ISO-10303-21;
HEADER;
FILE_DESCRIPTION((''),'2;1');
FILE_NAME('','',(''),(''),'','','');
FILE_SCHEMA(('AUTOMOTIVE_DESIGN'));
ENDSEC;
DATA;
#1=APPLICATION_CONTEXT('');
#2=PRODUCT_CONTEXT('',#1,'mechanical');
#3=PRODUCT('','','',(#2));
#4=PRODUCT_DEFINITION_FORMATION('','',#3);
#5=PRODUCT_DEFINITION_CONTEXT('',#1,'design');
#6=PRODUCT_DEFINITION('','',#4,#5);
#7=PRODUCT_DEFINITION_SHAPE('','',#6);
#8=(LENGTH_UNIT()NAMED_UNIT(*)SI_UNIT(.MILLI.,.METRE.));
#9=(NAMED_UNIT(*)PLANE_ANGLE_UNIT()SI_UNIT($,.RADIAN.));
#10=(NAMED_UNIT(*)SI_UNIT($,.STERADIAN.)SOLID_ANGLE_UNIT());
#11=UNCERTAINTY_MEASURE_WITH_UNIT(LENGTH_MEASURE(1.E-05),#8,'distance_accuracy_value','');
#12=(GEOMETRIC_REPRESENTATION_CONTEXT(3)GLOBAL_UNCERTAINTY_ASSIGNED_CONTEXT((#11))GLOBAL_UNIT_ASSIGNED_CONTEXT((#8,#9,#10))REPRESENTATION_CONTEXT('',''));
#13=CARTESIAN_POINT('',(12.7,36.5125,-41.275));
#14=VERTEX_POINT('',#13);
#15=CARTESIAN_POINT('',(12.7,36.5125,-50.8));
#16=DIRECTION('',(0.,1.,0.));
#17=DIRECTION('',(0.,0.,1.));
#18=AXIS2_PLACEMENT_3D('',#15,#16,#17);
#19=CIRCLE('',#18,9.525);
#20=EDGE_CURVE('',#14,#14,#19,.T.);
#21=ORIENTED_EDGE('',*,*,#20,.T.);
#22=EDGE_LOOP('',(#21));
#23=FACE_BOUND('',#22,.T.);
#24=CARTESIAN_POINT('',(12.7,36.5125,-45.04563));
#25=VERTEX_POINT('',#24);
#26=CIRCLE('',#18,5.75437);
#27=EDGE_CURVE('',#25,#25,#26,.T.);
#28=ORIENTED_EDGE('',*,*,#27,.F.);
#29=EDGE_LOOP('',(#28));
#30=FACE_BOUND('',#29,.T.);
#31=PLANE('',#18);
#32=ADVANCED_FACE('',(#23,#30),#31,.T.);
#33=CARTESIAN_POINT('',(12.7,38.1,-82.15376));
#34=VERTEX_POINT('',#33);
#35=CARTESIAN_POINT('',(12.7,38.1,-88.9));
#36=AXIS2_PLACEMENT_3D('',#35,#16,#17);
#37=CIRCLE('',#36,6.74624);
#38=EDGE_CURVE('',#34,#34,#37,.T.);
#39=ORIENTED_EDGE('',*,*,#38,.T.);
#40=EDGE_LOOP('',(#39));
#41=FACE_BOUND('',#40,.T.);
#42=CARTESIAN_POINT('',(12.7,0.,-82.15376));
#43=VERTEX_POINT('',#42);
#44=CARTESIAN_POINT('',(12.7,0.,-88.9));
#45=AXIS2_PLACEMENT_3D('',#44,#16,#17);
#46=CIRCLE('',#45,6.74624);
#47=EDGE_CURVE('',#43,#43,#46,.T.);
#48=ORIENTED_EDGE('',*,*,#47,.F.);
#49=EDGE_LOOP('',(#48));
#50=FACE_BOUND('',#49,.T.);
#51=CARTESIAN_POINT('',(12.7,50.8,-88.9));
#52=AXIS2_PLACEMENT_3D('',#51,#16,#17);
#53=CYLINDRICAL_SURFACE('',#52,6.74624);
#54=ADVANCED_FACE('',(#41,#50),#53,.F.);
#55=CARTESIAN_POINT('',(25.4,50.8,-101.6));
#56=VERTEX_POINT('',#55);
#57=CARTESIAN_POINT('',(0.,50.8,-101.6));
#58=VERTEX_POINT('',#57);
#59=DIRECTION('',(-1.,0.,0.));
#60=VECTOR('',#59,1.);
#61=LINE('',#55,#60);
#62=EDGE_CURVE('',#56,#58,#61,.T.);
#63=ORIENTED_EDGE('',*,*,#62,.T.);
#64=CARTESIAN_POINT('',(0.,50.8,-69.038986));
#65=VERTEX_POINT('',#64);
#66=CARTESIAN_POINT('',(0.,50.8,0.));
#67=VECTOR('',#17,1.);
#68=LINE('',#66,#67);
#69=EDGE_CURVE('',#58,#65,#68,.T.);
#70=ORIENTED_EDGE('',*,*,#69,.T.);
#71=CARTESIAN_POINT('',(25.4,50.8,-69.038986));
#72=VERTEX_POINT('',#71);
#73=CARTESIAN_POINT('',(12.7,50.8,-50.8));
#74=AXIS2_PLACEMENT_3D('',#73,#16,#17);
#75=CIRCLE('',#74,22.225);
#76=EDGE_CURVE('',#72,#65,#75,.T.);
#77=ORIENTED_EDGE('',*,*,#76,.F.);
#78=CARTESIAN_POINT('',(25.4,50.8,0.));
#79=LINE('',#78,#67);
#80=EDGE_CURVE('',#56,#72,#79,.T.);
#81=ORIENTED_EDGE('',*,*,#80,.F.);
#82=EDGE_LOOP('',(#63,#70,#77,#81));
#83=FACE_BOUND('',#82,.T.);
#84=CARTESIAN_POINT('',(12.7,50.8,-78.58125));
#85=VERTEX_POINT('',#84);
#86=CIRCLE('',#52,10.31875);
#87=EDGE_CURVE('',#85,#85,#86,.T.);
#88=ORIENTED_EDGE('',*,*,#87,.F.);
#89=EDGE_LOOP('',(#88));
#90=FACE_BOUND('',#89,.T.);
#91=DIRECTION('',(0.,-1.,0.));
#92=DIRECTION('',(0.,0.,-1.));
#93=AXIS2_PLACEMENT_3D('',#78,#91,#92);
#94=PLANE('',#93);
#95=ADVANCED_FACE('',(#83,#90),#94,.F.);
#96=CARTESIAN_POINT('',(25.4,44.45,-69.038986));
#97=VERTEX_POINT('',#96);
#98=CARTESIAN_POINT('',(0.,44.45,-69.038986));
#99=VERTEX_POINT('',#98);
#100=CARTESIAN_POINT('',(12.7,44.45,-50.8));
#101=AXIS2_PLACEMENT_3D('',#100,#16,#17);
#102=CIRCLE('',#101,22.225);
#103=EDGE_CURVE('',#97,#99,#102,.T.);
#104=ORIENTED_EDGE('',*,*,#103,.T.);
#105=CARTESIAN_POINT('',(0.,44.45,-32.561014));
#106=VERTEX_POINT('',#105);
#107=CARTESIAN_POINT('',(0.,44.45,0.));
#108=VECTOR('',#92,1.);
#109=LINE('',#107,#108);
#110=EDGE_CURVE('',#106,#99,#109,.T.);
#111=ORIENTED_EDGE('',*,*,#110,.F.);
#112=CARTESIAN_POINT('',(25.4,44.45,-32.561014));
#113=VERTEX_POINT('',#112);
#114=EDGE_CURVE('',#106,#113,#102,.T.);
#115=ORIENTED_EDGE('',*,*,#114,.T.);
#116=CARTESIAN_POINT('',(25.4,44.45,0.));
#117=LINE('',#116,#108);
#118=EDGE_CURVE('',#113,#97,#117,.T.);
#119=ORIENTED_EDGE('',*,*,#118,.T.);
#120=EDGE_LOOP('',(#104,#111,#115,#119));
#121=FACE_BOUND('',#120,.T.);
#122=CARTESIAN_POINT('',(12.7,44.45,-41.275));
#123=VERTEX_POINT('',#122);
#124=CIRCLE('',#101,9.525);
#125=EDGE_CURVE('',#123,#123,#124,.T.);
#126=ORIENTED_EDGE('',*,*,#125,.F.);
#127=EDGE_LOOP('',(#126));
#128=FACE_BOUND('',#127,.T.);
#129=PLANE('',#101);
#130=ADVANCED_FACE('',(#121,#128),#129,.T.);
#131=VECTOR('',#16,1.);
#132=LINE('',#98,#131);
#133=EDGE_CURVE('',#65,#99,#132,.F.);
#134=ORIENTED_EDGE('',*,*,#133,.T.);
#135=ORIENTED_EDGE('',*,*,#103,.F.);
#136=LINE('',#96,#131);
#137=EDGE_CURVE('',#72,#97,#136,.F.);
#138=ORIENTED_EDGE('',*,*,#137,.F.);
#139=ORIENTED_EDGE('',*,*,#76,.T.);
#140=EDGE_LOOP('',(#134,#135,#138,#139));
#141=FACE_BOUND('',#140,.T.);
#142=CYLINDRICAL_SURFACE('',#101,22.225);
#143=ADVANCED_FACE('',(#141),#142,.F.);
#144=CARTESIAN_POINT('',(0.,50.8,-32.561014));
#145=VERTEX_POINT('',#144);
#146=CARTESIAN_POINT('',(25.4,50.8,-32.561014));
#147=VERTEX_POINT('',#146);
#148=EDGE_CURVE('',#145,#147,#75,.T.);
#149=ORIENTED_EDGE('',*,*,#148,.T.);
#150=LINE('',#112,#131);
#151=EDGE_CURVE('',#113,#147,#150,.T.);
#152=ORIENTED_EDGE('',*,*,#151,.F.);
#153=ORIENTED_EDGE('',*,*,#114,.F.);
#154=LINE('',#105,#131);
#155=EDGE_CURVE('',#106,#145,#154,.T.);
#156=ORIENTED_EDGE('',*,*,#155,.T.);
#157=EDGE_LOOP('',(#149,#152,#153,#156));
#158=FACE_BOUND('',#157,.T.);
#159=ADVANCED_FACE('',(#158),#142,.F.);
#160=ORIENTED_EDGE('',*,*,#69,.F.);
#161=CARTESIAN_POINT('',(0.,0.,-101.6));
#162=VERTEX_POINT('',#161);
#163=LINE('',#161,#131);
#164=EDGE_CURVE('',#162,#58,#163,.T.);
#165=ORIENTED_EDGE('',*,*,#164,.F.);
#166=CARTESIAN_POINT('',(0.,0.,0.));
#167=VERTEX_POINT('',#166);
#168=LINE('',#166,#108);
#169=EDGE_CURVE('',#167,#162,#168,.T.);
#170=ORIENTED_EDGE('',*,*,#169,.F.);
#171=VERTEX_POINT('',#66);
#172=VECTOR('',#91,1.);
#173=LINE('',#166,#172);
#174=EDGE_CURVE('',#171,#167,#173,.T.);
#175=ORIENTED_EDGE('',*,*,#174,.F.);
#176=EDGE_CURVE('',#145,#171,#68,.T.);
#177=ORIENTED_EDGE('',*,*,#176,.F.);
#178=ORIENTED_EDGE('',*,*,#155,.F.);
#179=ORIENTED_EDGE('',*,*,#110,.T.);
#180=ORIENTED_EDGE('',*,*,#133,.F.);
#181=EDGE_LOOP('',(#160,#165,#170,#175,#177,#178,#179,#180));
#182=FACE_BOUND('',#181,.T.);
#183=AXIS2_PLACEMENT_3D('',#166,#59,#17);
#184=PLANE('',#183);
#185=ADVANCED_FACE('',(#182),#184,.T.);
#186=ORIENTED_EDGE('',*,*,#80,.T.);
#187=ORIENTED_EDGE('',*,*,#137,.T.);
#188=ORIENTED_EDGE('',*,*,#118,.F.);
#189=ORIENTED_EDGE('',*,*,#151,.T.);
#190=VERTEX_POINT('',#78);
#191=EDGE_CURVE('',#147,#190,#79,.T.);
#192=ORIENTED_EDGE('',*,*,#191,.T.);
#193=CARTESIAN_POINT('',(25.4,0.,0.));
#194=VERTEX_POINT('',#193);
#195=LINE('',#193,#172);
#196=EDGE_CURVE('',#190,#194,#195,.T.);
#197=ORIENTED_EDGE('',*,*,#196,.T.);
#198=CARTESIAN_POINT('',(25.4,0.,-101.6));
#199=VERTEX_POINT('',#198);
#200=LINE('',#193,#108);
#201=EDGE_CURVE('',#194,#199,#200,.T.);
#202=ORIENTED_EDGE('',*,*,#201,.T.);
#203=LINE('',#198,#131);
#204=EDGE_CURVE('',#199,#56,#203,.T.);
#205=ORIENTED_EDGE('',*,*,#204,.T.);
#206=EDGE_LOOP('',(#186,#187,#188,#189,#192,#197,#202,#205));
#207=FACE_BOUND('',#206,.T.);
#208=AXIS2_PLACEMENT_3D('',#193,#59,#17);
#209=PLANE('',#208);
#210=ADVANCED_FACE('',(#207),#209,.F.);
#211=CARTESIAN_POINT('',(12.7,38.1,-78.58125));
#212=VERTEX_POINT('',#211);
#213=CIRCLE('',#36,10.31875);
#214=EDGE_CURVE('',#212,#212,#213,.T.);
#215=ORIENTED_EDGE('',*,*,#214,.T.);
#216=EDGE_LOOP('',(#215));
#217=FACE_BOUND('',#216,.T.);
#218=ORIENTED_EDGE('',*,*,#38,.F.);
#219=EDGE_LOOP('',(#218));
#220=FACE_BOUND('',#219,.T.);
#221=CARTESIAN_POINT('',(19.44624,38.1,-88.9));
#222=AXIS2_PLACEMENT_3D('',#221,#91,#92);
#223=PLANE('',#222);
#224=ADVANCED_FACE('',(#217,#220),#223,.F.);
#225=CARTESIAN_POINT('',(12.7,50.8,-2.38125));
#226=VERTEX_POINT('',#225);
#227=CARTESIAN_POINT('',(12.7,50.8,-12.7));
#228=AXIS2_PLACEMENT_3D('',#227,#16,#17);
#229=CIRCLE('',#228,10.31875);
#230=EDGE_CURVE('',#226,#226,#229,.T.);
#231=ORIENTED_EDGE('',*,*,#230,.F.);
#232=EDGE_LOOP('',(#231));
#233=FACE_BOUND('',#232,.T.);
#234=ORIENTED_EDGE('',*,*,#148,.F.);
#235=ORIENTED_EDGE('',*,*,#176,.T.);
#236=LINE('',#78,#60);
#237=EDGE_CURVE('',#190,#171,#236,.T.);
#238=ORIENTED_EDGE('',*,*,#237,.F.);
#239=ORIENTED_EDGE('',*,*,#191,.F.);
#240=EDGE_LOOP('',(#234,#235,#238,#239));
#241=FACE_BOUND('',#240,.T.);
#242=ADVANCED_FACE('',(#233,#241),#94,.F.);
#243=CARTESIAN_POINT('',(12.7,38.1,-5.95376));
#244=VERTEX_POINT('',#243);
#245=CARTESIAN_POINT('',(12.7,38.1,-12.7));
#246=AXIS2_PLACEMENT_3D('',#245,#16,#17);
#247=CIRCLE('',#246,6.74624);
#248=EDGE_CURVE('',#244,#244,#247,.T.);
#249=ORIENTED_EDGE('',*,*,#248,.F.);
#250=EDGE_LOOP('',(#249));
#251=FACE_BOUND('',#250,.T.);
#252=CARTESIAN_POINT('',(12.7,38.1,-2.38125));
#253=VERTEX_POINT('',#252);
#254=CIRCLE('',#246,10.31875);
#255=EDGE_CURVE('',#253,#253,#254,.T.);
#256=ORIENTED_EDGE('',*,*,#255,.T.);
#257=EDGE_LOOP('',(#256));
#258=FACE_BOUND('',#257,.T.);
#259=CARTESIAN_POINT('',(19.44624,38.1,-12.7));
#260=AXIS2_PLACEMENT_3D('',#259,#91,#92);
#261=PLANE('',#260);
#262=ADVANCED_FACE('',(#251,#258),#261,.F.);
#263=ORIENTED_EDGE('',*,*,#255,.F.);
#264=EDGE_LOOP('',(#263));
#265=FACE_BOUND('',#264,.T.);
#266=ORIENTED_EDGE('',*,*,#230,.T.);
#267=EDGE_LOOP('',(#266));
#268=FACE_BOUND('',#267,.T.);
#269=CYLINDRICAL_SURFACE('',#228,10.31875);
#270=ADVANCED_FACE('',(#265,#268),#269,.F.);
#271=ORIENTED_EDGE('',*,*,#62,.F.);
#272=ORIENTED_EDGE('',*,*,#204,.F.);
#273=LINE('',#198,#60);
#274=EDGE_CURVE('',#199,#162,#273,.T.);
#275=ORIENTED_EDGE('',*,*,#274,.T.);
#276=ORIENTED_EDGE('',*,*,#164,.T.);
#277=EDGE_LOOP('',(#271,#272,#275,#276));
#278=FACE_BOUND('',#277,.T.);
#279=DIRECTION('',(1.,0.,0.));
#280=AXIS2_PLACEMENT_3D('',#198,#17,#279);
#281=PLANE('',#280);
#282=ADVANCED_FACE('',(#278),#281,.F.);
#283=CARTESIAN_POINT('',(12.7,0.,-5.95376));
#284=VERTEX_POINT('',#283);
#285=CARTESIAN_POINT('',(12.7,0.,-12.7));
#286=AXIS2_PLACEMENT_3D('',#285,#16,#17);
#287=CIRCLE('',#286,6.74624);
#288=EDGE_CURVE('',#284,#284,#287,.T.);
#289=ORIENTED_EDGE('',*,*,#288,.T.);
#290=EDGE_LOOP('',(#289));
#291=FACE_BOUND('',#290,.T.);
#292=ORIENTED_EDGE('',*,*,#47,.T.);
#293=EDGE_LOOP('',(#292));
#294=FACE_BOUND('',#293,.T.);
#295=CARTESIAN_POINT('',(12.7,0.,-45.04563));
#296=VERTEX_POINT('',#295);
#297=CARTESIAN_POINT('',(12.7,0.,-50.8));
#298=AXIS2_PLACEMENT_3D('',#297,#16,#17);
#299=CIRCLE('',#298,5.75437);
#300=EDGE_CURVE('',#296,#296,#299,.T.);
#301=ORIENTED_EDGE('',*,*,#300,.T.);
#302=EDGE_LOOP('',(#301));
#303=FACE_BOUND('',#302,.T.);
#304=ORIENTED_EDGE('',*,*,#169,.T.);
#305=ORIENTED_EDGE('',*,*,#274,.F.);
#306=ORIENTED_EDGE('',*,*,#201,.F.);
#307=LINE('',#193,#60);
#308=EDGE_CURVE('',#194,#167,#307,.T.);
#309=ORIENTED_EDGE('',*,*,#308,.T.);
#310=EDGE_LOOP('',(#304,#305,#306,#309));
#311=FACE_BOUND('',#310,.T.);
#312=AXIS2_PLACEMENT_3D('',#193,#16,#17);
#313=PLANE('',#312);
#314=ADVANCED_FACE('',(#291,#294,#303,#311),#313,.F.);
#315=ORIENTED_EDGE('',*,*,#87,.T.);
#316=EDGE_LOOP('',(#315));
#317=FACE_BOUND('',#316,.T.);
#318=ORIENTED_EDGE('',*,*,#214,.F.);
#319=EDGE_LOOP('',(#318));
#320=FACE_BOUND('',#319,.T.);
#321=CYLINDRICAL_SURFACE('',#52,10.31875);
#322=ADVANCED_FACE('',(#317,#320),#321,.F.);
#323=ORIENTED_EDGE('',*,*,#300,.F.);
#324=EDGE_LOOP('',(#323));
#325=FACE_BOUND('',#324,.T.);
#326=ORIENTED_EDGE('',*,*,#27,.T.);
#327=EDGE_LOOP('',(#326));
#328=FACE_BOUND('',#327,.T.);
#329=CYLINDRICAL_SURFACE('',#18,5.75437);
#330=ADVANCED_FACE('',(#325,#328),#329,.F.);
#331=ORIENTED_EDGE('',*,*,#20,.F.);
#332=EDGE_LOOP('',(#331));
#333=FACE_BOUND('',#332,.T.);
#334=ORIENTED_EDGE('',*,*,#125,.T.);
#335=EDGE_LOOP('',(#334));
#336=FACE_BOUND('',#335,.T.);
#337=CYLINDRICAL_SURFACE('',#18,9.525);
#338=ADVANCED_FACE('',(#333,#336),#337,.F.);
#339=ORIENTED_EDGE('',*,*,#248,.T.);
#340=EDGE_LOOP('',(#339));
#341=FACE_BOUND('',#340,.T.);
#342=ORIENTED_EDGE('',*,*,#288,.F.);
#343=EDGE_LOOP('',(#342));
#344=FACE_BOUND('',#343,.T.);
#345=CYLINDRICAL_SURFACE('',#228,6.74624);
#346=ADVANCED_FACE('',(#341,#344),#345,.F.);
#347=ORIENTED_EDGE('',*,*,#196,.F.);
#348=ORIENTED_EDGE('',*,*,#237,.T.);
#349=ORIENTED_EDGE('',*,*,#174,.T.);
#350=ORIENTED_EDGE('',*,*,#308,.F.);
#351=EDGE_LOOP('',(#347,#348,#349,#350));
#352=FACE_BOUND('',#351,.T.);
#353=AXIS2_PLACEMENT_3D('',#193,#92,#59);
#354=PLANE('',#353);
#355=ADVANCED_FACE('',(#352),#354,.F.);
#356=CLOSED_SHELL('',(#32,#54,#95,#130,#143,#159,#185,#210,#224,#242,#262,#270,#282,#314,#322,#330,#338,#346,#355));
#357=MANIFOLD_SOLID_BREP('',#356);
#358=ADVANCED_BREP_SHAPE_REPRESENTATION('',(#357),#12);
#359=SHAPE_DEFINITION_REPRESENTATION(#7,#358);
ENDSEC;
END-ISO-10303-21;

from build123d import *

# Parameters (mm, degrees)
SKETCH1_W                                        = 101.6
SKETCH1_H                                        = 50.8
BOSS_EXTRUDE1_DEPTH                              = 25.4
SKETCH2_R                                        = 22.225
CUT_EXTRUDE1_DEPTH                               = 6.35
SKETCH3_R                                        = 9.525
CUT_EXTRUDE2_DEPTH                               = 7.9375
F_1_2_20_TAPPED_HOLE1_D                          = 11.50874
CBORE_FOR_1_2_SOCKET_HEAD_CAP_SCREW1_D           = 13.49248
CBORE_FOR_1_2_SOCKET_HEAD_CAP_SCREW1_CBORE_D     = 20.6375
CBORE_FOR_1_2_SOCKET_HEAD_CAP_SCREW1_CBORE_DEPTH = 12.7


with BuildPart() as part:
    # Sketch1 → Boss-Extrude1 (new body)
    with BuildSketch(Plane(origin=(0, 0, 0), x_dir=(0, 0, -1), z_dir=(1, 0, 0))):
        with Locations((50.8, 25.4)):
            Rectangle(SKETCH1_W, SKETCH1_H)
    extrude(amount=BOSS_EXTRUDE1_DEPTH)

    # Sketch2 → Cut-Extrude1 (cut)
    with BuildSketch(Plane(origin=(0, 50.8, 0), x_dir=(1, 0, 0), z_dir=(0, 1, 0))):
        with Locations((12.7, 50.8)):
            Circle(SKETCH2_R)
    extrude(amount=-CUT_EXTRUDE1_DEPTH, mode=Mode.SUBTRACT)

    # Sketch3 → Cut-Extrude2 (cut)
    with BuildSketch(Plane(origin=(0, 44.45, 0), x_dir=(1, 0, 0), z_dir=(0, 1, 0))):
        with Locations(Location((12.7, 50.8, 0), (0, 0, 270))):
            Circle(SKETCH3_R)
    extrude(amount=-CUT_EXTRUDE2_DEPTH, mode=Mode.SUBTRACT)

    # 1/2-20 Tapped Hole1 (through all)
    with Locations(Plane(origin=(0, 36.5125, 0), x_dir=(1, 0, 0), z_dir=(0, 1, 0))):
        with Locations((12.7, 50.8)):
            Hole(F_1_2_20_TAPPED_HOLE1_D / 2)

    # CBORE for 1/2 Socket Head Cap Screw1 (through all)
    with Locations(Plane(origin=(0, 50.8, 0), x_dir=(1, 0, 0), z_dir=(0, 1, 0))):
        with Locations((12.7, 88.9), (12.7, 12.7)):
            CounterBoreHole(CBORE_FOR_1_2_SOCKET_HEAD_CAP_SCREW1_D / 2, CBORE_FOR_1_2_SOCKET_HEAD_CAP_SCREW1_CBORE_D / 2, CBORE_FOR_1_2_SOCKET_HEAD_CAP_SCREW1_CBORE_DEPTH)


solid = part.part
